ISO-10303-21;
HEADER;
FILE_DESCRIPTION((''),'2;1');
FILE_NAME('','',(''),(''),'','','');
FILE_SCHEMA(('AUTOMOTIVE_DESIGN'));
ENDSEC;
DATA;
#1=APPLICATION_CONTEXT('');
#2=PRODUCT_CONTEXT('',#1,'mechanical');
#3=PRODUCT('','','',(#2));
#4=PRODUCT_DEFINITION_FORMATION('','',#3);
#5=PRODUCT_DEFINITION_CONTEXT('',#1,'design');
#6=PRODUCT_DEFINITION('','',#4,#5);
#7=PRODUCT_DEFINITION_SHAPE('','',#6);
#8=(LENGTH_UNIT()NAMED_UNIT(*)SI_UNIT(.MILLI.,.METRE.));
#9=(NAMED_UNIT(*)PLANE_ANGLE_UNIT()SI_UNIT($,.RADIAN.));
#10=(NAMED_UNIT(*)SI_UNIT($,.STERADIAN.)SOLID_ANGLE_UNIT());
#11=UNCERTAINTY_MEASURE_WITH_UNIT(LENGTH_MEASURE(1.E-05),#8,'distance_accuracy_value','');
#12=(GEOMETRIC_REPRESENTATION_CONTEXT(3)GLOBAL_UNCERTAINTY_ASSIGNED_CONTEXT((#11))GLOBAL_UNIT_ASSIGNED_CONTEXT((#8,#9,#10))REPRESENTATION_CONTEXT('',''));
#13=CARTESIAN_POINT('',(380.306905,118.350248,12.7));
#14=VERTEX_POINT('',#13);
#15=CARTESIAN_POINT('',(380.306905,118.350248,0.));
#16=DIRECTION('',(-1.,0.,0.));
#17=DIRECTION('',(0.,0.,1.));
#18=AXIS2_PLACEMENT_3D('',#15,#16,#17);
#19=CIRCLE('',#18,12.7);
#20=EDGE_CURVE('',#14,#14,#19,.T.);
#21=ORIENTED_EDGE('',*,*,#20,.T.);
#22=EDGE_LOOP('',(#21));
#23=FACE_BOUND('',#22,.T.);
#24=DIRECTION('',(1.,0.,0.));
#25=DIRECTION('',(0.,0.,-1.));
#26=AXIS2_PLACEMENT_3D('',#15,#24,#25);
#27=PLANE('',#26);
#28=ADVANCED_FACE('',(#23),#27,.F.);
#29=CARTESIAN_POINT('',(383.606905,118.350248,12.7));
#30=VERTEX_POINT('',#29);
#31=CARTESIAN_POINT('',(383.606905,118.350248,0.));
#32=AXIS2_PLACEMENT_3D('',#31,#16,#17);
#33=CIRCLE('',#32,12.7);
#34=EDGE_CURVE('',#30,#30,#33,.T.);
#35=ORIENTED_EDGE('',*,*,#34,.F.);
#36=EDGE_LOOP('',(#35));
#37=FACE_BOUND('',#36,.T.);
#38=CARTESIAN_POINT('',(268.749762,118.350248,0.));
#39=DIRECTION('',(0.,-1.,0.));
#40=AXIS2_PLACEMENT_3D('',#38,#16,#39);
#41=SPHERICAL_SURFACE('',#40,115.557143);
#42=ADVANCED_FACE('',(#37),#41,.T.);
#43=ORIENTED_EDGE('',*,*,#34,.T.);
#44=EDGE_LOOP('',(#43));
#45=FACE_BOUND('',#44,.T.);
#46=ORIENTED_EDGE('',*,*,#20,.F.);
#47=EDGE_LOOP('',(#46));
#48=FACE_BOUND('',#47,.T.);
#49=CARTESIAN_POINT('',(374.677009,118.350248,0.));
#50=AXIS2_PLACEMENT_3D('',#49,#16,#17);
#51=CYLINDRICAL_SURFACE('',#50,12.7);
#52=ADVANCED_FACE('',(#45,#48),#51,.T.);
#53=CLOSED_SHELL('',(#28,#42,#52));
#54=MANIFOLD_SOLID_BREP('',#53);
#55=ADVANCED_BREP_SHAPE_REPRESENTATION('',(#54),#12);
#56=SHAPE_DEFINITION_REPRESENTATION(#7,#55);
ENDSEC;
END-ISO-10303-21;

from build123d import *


with BuildPart() as part:
    # 草图1 → 旋转1 (revolve)
    with BuildSketch(Plane.XY, mode=Mode.PRIVATE) as revolve_1_sk:
        with BuildLine():
            Line((380.306904934, 118.350248119), (380.306904934, 131.050248119))
            Line((380.306904934, 131.050248119), (383.606904934, 131.050248119))
            ThreePointArc((383.606904934, 131.050248119), (384.131772223, 124.709886473), (384.306904934, 118.350248119))
            Line((384.306904934, 118.350248119), (380.306904934, 118.350248119))
        make_face()
    revolve(revolve_1_sk.sketch.rotate(Axis((374.677008883, 118.350248119, 0), (1, 0, 0)), 180), axis=Axis((374.677008883, 118.350248119, 0), (1, 0, 0)))  # turned: the seam where the file's is


solid = part.part
